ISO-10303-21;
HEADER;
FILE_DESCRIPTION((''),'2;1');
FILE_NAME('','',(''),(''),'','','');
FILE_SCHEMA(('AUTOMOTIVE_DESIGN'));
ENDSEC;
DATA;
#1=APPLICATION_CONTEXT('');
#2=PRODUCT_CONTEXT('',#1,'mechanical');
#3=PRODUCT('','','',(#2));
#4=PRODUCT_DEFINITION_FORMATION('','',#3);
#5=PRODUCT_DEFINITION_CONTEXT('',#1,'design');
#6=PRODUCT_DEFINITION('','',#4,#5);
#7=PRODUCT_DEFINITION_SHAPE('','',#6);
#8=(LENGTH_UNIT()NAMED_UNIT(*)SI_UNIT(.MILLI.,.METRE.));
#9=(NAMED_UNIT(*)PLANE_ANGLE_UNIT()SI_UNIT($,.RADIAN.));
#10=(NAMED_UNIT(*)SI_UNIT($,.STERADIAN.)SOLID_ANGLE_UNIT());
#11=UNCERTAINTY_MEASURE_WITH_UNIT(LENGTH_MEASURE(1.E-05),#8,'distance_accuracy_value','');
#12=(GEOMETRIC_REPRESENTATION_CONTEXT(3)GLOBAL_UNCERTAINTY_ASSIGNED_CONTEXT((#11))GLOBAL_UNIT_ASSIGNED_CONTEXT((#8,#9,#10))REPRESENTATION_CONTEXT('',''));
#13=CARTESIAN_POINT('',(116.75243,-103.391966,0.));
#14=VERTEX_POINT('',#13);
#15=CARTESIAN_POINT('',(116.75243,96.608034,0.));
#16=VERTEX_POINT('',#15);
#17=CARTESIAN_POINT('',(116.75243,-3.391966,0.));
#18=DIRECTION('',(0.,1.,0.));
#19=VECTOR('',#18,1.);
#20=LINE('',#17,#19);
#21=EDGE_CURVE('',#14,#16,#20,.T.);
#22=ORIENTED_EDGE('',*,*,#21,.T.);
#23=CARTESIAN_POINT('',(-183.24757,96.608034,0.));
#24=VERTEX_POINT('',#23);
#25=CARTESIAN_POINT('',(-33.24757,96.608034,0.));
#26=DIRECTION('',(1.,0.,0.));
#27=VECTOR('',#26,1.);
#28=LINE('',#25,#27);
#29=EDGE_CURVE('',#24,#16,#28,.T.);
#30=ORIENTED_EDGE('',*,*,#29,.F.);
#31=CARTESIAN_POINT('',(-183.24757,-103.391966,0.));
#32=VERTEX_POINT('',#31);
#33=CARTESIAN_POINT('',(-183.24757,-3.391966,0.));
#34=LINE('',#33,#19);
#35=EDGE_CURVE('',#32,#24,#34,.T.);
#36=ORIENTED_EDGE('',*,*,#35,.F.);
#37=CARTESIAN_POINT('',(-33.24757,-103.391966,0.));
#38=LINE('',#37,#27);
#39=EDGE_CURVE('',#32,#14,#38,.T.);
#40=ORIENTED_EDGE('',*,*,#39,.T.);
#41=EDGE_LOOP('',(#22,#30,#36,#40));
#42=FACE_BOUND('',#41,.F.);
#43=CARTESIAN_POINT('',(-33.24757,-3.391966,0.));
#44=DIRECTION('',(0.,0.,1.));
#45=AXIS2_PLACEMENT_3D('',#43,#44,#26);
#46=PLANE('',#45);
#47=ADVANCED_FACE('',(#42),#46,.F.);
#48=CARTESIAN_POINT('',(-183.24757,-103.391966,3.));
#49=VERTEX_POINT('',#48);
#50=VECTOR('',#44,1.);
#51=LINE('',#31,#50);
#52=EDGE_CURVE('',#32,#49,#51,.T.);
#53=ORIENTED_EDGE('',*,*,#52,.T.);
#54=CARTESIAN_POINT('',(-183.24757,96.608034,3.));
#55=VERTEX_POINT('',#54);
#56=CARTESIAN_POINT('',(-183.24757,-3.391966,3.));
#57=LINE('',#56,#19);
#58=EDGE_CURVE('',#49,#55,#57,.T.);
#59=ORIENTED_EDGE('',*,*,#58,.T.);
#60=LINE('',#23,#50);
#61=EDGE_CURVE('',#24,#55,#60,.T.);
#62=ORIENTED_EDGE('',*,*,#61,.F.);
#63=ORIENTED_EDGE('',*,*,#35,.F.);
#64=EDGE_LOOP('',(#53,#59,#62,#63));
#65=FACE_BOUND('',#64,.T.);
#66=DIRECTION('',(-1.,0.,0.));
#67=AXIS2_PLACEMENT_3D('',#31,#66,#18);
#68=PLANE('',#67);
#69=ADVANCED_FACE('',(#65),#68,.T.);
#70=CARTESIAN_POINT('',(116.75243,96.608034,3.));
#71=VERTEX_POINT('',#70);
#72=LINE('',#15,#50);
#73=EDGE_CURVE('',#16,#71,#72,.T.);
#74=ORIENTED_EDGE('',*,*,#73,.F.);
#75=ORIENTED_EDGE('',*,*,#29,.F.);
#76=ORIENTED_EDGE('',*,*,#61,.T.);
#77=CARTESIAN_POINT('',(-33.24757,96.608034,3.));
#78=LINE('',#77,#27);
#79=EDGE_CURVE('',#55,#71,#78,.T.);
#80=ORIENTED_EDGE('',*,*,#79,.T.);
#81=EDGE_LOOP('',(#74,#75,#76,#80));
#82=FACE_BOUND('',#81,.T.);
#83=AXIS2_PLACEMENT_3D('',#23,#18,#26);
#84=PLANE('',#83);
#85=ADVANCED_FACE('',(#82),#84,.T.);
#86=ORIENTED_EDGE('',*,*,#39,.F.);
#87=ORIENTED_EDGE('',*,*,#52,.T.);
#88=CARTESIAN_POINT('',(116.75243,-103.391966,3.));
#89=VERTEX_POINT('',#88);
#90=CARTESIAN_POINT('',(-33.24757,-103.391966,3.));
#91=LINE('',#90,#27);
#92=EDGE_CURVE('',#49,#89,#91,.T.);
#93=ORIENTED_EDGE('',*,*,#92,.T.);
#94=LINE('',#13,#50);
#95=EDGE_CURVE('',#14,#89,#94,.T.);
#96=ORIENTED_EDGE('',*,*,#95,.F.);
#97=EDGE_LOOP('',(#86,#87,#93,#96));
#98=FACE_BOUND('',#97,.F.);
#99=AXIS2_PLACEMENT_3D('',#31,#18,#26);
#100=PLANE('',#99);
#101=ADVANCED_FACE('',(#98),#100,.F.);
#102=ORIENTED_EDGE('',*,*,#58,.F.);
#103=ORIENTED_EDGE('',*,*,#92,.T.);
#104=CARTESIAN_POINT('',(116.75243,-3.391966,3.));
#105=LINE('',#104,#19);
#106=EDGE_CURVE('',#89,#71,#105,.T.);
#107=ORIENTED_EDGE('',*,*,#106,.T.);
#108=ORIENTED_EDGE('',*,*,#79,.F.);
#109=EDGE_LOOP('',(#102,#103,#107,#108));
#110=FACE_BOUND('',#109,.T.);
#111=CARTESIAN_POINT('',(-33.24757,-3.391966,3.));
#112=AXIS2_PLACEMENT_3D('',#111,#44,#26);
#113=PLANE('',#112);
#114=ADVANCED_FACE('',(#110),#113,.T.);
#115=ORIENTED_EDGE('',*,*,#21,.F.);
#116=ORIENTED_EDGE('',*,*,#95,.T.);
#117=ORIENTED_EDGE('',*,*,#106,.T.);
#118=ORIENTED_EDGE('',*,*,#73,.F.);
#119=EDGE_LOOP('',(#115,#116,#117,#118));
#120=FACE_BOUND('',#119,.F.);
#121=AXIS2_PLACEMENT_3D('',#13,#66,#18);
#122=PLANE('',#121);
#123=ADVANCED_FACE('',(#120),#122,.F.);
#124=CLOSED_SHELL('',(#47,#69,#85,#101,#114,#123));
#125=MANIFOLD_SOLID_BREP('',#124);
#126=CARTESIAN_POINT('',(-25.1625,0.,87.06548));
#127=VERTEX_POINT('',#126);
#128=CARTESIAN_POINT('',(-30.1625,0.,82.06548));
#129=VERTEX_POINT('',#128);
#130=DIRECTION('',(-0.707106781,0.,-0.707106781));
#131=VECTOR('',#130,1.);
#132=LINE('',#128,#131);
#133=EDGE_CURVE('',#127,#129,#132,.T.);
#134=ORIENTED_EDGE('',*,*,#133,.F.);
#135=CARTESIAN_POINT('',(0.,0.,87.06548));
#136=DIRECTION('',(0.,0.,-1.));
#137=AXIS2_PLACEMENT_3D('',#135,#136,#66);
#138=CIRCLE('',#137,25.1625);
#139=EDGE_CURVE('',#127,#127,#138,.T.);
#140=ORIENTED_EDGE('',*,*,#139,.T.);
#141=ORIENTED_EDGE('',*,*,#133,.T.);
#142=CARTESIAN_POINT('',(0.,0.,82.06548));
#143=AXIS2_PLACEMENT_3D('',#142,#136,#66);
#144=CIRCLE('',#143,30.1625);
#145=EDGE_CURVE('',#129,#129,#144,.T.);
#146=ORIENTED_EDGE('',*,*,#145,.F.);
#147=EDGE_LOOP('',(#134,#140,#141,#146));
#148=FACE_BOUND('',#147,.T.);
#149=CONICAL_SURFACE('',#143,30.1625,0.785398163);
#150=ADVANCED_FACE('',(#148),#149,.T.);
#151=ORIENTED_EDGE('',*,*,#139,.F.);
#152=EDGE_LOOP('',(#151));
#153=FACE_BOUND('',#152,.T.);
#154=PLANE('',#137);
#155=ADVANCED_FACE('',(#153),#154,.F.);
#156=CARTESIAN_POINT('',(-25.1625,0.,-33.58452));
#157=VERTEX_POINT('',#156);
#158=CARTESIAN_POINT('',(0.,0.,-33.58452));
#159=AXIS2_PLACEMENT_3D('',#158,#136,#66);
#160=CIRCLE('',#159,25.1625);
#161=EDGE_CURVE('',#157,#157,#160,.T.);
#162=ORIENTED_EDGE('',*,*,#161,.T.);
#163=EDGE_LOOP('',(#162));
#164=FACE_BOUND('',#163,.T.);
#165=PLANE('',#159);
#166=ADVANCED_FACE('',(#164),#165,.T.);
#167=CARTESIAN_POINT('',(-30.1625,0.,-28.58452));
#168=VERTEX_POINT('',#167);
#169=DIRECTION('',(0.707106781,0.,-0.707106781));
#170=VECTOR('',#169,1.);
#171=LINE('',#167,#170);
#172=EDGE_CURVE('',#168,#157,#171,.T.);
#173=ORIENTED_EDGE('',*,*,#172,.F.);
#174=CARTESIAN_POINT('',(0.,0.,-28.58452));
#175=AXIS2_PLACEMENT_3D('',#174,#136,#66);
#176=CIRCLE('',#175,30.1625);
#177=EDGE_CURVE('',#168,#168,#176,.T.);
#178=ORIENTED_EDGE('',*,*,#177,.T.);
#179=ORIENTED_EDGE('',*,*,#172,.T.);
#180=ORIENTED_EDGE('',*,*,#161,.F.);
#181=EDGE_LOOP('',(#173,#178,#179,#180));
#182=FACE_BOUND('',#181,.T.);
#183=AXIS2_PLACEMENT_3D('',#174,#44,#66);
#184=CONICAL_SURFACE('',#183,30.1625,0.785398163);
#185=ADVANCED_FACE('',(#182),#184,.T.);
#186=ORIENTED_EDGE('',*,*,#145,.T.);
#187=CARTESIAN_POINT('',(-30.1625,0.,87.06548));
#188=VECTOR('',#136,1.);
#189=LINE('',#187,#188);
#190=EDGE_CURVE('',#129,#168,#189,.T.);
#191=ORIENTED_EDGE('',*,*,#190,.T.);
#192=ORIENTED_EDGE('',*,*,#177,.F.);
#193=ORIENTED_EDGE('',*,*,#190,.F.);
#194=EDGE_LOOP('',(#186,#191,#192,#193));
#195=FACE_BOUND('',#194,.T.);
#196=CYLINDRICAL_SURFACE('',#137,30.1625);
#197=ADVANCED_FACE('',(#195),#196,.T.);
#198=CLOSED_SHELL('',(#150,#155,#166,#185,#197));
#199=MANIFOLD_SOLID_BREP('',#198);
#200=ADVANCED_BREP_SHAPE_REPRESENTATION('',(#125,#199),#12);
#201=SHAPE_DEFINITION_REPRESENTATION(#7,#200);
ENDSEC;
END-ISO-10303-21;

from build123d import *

# Parameters (mm, degrees)
F2_SIZE  = 5
F3_W     = 300
F3_H     = 200
F4_DEPTH = 3


with BuildPart() as f1:
    # F0 (on Front) → F1 (revolve)
    with BuildSketch(Plane.XZ):
        Polygon((0, -33.58452), (0, 0), (0, 87.06548), (-30.1625, 87.06548), (-30.1625, -33.58452), align=None)
    revolve(axis=Axis((0, 0, 43.53274), (0, 0, -1)))

    # F2
    f2_edges = [f1.edges().sort_by_distance(p)[0] for p in [
        (30.1625, 0, 87.06548),
        (30.1625, 0, -33.58452),
    ]]
    chamfer(f2_edges, length=F2_SIZE)


with BuildPart() as f4:
    # F3 (on Top) → F4 (new body)
    with BuildSketch(Plane.XY):
        with Locations((-33.24757, -3.391966)):
            Rectangle(F3_W, F3_H)
    extrude(amount=F4_DEPTH)


solid = Compound([f1.part, f4.part])
